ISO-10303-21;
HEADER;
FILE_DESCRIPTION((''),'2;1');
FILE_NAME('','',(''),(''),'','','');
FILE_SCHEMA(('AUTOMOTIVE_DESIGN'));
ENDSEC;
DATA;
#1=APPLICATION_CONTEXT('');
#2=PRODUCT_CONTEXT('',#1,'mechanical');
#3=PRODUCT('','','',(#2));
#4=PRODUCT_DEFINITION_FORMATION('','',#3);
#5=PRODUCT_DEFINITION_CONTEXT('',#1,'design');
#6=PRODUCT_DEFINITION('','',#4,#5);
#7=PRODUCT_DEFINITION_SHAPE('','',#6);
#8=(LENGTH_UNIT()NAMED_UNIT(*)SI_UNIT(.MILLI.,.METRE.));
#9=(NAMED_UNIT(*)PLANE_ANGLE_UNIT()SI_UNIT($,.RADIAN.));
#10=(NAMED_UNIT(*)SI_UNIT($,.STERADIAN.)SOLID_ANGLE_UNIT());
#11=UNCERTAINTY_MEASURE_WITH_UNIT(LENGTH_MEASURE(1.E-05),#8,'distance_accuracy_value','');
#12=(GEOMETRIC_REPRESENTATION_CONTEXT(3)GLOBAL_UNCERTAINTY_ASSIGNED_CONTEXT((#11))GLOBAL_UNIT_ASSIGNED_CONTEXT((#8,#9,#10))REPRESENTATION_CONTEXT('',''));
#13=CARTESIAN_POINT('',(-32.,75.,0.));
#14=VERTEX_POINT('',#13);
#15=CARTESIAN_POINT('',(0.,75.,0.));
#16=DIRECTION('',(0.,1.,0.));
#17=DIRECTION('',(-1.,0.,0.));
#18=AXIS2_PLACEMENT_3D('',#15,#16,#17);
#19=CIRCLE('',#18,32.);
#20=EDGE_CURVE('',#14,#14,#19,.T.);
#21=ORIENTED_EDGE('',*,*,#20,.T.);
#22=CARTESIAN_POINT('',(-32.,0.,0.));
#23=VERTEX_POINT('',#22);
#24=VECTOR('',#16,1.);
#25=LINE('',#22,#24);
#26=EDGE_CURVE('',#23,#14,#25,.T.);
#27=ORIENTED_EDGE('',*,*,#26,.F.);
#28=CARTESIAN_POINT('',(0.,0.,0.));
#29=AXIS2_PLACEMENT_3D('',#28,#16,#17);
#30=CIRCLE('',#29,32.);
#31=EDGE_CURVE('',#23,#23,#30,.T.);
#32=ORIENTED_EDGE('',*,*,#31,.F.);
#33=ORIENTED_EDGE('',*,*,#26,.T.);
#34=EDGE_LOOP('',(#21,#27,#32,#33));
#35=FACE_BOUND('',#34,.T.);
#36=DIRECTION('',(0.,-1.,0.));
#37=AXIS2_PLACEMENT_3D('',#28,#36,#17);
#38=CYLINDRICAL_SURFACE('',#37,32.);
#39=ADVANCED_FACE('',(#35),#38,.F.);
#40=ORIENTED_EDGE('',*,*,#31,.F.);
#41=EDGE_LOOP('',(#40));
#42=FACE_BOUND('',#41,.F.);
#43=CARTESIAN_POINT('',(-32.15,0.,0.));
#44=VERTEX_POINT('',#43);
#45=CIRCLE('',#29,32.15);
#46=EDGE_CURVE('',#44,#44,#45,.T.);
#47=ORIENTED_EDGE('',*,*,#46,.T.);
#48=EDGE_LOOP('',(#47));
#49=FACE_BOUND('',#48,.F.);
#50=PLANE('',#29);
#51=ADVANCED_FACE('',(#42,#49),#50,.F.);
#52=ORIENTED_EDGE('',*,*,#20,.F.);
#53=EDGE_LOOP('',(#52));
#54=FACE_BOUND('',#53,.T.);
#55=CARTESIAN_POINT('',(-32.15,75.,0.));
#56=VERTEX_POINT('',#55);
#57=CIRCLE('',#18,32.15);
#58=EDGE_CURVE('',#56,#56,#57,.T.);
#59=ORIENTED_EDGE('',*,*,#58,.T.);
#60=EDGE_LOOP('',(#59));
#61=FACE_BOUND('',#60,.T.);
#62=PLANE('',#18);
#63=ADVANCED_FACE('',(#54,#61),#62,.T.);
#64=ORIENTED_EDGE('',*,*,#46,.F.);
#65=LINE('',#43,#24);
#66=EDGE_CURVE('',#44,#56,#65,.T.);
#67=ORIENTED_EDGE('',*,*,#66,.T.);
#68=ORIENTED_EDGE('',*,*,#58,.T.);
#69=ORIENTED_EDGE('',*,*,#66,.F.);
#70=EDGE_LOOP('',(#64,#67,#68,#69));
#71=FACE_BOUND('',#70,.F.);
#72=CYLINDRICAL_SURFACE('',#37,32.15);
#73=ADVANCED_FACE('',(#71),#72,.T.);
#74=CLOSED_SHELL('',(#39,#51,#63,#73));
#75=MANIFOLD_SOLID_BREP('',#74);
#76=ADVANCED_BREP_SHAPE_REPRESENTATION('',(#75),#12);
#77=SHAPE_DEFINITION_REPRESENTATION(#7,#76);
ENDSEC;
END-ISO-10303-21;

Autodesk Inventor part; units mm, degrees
ref_plane "YZ Plane" through (0, 0, 0) normal (1, 0, 0) x (0, 1, 0)
ref_plane "XZ Plane" through (0, 0, 0) normal (0, 1, 0) x (-1, 0, 0)
ref_plane "XY Plane" through (0, 0, 0) normal (0, 0, 1) x (1, 0, 0)
sketch "Skizze1" plane through (0, 0, 0) normal (0, 1, 0) x (-1, 0, 0)
  circle A0 centre (0, 0) radius 32
  circle A1 centre (0, 0) radius 32.15
  dimension "d0" = 64
  dimension "d1" = 64.3
extrude "Extrusion1" add sketch "Skizze1" along normal blind 75
properties part number "Flaschenetikette"
